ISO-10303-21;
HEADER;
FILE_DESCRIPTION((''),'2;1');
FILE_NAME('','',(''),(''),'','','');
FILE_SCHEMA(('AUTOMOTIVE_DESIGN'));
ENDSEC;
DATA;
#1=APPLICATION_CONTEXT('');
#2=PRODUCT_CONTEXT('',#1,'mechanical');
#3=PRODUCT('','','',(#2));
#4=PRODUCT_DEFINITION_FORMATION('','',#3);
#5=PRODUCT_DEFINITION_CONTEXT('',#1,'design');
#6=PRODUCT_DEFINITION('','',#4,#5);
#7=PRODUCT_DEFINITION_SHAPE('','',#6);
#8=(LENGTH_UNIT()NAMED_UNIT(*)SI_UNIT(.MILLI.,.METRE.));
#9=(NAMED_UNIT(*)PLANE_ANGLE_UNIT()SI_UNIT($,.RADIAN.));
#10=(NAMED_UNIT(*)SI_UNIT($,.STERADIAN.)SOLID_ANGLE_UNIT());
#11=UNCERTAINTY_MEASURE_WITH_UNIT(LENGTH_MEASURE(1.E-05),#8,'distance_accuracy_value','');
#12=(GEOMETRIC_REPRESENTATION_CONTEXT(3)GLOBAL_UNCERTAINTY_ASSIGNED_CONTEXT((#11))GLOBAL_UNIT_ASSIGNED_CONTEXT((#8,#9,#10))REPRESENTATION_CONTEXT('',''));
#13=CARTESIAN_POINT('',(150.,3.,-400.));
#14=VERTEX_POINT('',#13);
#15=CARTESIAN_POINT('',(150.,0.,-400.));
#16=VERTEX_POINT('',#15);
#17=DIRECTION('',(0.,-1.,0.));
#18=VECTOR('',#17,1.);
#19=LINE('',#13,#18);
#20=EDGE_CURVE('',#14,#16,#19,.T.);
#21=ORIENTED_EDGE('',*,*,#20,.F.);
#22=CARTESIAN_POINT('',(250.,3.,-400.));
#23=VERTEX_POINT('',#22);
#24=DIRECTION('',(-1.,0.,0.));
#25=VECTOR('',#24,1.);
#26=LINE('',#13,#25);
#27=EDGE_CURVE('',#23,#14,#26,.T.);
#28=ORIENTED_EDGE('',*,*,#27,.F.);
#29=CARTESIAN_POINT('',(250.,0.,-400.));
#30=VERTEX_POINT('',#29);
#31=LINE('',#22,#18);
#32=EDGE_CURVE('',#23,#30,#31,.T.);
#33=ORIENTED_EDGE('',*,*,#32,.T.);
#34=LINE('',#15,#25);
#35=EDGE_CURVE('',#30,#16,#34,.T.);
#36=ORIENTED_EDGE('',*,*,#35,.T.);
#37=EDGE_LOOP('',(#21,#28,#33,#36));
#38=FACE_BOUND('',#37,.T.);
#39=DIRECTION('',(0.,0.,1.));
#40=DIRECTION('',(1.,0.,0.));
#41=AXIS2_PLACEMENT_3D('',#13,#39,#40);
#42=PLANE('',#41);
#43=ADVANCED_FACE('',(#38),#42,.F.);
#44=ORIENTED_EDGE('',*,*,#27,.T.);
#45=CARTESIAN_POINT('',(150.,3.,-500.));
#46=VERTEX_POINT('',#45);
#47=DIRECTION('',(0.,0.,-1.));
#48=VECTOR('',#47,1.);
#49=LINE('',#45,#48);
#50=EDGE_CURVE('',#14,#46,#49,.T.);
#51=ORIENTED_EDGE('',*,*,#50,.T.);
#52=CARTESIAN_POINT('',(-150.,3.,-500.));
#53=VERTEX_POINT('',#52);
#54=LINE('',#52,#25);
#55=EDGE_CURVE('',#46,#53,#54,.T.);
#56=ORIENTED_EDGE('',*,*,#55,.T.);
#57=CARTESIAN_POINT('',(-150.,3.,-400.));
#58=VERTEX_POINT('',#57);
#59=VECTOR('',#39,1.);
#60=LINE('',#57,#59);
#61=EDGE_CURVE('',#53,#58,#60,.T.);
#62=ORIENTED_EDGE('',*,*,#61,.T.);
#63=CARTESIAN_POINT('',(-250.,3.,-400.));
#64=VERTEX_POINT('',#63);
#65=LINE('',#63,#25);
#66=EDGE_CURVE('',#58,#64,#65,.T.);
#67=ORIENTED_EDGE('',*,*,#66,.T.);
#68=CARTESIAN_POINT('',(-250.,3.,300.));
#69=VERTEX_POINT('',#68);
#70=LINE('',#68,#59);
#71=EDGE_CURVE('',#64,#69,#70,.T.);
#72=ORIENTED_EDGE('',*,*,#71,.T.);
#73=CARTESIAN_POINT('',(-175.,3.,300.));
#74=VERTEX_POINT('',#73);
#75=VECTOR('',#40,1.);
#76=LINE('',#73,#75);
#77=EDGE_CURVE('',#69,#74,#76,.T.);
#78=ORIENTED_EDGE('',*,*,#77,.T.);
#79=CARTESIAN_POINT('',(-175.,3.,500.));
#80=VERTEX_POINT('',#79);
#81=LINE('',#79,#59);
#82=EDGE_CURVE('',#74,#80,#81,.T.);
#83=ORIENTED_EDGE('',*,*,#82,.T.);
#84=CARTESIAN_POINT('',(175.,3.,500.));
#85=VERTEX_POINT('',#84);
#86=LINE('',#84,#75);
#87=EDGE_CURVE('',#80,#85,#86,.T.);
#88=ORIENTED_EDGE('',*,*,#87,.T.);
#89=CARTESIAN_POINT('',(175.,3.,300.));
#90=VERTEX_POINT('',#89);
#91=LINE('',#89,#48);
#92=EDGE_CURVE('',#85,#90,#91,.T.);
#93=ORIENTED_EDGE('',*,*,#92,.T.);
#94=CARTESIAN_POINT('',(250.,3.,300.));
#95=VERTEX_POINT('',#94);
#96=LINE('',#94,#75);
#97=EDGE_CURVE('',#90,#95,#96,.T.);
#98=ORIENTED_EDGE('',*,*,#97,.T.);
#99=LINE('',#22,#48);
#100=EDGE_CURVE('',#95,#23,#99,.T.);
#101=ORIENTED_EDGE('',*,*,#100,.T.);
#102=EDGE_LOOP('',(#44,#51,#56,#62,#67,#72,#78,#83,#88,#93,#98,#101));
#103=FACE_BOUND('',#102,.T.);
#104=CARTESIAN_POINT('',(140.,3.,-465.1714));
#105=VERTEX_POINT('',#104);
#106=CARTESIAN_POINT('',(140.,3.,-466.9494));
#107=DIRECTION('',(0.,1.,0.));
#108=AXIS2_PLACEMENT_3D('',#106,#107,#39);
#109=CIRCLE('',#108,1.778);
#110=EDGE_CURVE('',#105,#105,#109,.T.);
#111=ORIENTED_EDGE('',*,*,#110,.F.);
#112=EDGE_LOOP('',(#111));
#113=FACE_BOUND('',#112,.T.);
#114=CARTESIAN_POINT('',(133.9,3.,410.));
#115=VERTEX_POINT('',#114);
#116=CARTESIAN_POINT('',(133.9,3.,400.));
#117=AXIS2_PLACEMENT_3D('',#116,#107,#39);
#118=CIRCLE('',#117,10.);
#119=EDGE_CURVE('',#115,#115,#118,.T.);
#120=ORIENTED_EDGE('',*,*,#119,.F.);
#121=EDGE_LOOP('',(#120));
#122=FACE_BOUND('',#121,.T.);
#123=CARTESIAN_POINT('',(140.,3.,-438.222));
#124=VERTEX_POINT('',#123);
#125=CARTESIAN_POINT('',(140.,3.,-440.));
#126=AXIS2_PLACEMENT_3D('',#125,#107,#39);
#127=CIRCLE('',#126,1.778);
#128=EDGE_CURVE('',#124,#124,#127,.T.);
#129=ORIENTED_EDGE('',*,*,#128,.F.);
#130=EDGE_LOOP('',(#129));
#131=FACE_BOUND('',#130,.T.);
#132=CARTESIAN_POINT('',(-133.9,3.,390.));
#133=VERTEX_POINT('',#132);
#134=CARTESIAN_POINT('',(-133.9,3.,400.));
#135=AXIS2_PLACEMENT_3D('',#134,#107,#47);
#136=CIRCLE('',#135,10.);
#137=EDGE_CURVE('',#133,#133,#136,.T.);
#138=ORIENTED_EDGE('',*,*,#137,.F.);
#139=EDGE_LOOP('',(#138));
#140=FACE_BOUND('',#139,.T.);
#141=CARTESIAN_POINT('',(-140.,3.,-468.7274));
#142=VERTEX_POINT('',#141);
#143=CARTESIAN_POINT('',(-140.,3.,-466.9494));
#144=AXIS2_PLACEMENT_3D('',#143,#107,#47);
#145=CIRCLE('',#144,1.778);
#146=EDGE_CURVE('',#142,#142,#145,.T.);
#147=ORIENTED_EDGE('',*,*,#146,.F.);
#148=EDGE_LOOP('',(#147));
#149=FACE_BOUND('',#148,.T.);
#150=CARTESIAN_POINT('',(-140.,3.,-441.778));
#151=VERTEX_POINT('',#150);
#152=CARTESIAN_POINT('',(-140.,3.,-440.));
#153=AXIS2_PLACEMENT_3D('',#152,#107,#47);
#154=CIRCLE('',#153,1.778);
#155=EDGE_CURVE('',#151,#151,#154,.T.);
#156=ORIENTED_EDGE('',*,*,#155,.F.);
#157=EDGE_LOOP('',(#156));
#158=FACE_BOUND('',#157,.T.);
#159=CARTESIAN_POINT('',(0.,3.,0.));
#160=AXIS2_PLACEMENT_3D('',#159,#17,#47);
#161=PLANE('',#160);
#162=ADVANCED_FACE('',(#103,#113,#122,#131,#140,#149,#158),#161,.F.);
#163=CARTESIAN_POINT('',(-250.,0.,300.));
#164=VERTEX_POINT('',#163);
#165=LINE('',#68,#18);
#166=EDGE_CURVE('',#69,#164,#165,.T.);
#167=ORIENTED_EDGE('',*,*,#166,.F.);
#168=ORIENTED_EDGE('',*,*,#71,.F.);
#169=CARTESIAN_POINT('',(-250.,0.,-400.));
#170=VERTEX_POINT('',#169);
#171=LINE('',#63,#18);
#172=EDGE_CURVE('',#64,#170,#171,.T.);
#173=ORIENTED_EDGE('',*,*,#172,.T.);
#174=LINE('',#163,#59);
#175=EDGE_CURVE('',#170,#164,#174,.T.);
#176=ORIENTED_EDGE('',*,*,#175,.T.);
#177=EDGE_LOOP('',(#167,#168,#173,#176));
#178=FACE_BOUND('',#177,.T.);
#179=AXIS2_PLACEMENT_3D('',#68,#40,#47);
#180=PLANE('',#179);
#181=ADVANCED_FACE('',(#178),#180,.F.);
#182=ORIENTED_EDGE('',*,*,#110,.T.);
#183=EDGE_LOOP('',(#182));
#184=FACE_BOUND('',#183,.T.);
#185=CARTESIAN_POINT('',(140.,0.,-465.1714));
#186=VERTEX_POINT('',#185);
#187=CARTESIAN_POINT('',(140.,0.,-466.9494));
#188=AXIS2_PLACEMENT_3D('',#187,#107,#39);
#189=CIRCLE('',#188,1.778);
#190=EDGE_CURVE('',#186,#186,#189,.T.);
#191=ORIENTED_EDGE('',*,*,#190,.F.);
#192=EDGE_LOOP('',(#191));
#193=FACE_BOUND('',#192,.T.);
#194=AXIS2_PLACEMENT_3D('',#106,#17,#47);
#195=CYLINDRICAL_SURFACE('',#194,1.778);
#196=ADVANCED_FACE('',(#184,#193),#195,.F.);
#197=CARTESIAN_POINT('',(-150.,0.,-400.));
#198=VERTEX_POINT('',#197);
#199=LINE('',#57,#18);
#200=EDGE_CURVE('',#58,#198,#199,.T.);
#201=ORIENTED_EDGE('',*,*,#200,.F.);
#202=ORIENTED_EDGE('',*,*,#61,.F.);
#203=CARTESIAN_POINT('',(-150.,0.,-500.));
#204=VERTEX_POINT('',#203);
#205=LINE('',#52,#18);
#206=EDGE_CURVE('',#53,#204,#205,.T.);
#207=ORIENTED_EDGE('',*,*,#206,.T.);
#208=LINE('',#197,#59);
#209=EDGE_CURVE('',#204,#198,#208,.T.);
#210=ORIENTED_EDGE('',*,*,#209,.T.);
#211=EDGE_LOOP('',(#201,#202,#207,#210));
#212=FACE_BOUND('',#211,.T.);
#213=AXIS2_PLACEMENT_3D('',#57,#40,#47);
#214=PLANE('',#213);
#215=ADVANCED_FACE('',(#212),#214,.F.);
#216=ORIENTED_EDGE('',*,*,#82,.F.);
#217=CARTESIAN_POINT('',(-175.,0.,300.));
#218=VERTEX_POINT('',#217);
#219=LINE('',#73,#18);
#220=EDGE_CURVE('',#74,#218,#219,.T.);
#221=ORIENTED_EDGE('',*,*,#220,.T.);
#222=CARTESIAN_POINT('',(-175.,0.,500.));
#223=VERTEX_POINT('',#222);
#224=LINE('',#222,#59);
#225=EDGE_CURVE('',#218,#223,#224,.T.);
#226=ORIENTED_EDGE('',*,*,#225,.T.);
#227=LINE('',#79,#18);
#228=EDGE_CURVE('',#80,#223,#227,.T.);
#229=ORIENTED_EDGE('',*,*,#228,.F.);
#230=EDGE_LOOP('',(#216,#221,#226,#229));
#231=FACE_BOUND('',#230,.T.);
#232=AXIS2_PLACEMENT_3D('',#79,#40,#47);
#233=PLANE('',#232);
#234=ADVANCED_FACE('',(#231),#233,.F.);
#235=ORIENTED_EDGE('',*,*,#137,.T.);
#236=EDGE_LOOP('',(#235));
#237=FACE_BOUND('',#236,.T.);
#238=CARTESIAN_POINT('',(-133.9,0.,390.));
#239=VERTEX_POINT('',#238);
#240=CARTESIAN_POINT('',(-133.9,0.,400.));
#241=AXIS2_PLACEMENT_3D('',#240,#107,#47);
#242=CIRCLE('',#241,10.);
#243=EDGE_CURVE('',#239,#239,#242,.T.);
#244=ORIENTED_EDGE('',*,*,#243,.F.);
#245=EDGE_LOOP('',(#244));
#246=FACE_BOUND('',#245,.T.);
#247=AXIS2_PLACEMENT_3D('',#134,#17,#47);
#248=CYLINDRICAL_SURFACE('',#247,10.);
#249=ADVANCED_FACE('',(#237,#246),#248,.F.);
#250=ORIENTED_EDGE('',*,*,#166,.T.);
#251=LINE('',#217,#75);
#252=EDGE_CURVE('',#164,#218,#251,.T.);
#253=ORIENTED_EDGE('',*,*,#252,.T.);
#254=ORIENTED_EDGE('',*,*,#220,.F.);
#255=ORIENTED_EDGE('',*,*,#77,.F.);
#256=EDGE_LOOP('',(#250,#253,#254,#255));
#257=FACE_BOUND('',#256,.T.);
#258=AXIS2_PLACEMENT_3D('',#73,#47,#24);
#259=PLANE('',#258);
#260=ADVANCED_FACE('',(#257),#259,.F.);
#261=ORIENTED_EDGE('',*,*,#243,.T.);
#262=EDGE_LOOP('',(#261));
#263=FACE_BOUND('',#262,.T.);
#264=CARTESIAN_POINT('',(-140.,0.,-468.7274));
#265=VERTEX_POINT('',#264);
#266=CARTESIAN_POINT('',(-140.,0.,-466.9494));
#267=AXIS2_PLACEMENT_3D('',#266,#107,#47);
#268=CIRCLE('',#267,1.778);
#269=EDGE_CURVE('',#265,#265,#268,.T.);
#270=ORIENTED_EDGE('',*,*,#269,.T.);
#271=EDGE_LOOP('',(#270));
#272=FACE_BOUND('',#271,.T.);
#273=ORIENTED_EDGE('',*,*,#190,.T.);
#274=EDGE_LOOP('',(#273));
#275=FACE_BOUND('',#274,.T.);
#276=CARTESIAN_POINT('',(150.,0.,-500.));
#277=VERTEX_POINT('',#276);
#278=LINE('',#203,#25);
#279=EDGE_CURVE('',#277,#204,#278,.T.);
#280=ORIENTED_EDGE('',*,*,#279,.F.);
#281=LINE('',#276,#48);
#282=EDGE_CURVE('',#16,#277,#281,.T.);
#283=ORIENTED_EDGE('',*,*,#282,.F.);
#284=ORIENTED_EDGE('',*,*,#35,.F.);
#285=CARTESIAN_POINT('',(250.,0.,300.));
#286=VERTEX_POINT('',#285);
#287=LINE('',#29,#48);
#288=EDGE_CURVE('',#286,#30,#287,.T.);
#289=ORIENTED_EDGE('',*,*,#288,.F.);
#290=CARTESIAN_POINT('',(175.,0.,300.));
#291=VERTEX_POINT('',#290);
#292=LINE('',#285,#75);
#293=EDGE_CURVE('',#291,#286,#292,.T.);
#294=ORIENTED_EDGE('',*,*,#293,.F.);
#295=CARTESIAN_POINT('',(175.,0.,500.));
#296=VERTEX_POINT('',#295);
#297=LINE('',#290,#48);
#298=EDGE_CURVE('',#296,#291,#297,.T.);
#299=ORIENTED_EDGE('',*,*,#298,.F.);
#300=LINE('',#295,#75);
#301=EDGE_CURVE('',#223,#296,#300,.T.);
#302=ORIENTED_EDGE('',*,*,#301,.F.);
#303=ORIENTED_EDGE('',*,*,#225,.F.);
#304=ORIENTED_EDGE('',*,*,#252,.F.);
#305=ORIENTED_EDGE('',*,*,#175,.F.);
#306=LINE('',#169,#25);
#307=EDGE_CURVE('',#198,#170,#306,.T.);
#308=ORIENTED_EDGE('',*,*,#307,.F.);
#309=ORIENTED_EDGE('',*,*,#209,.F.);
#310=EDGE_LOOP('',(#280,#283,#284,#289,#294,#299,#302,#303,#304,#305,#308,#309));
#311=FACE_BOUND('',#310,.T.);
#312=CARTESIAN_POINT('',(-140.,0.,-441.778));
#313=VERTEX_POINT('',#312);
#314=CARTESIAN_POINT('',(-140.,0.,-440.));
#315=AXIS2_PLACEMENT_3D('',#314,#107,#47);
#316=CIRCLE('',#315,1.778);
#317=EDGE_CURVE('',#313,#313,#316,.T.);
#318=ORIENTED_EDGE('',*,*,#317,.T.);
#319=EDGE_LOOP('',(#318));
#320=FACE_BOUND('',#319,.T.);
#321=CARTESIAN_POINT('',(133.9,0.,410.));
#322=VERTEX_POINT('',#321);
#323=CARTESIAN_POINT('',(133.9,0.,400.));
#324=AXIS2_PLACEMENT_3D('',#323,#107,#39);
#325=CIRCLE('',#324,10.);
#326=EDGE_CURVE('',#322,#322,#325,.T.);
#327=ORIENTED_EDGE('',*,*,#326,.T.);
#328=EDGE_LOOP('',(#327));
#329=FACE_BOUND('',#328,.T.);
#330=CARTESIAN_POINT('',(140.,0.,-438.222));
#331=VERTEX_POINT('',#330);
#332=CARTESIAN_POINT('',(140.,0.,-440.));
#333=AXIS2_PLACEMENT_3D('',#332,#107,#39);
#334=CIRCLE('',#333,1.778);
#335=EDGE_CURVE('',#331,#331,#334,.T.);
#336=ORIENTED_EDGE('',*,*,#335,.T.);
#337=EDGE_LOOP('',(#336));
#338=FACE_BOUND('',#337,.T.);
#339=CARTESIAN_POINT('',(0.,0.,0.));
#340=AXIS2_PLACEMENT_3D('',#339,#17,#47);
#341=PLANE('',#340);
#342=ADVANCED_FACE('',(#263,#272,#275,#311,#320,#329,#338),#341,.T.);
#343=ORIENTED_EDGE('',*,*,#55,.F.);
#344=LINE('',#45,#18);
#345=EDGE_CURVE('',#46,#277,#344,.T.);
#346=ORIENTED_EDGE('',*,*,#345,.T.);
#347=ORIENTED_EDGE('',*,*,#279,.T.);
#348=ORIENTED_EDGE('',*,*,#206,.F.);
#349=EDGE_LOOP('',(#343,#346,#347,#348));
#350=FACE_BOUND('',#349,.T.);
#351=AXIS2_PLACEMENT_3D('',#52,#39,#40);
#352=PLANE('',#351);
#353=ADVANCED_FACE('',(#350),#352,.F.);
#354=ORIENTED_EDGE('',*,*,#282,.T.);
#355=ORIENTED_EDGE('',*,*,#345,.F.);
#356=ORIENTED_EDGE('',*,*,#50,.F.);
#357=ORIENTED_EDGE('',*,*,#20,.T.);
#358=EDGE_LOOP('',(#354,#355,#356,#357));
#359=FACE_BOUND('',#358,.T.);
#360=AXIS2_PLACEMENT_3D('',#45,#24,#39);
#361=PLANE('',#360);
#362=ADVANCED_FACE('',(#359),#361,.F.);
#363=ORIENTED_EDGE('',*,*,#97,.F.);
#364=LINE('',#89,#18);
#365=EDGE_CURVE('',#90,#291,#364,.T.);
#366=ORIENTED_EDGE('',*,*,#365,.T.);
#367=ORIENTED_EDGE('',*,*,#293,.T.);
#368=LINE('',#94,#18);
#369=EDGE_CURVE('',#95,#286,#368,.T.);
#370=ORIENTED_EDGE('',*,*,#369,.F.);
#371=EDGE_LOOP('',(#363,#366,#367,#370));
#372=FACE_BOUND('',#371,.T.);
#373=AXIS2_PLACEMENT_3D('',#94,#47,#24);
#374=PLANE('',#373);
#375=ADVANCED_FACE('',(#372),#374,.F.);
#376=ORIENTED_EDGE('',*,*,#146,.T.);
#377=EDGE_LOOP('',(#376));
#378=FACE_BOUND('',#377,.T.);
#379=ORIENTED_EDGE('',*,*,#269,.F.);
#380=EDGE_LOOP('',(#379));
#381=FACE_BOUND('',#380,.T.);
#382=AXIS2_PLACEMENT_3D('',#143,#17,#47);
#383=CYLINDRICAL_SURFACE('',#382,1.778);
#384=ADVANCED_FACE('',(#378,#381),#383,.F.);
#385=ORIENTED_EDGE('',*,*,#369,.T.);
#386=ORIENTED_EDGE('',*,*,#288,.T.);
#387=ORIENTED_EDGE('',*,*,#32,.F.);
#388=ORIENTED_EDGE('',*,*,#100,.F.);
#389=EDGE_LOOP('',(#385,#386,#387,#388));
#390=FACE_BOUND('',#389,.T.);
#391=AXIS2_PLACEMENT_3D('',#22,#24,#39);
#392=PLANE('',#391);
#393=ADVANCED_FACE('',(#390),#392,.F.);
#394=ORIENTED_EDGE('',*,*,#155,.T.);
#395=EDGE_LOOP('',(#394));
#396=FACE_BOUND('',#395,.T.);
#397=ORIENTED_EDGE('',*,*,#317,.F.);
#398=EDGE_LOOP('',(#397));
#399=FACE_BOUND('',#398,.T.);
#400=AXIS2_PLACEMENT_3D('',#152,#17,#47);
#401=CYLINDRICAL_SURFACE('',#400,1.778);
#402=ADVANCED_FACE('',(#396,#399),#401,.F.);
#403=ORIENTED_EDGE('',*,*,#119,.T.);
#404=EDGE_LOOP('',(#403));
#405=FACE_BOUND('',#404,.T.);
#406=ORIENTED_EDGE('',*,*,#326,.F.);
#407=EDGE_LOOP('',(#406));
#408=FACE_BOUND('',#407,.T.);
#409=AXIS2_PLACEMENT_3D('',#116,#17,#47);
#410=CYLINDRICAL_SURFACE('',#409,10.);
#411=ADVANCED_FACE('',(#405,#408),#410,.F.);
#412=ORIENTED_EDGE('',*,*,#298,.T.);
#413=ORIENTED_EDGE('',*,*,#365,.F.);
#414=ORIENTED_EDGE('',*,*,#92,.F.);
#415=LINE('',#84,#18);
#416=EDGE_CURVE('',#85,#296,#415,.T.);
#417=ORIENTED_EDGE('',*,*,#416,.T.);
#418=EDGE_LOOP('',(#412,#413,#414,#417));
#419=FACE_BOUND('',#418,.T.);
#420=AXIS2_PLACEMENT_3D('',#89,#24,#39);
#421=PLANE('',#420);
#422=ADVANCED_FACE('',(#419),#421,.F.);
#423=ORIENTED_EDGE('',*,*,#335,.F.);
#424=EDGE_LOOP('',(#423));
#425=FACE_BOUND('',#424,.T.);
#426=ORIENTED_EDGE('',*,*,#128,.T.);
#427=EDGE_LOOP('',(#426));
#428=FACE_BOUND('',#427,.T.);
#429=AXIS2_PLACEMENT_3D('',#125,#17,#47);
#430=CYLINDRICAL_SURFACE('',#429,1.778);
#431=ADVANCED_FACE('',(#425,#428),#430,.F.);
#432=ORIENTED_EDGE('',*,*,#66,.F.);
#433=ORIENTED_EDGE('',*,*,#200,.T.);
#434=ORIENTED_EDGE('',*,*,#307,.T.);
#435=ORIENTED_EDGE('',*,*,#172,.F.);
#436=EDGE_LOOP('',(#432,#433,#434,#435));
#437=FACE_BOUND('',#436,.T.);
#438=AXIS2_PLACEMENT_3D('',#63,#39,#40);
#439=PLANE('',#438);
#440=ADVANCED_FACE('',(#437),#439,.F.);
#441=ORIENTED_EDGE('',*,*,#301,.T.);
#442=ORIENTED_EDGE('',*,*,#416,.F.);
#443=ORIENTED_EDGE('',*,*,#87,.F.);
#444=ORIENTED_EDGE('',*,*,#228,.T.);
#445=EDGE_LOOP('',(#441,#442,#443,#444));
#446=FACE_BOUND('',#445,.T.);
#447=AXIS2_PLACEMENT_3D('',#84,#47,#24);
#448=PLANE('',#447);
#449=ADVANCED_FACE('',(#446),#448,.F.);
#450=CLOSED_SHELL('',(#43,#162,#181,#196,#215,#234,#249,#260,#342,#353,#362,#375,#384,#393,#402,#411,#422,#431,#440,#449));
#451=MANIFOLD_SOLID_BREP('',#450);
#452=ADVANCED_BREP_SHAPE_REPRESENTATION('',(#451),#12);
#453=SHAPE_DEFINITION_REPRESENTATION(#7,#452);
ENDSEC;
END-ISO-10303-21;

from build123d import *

# Parameters (mm, degrees)
SKETCH1_R           = 10
SKETCH1_R_2         = 1.778
BOSS_EXTRUDE1_DEPTH = 3


with BuildPart() as part:
    # Sketch1 → Boss-Extrude1 (new body)
    with BuildSketch(Plane(origin=(0, 0, 0), x_dir=(1, 0, 0), z_dir=(0, 1, 0))):
        Polygon((-250, -300), (-250, 400), (-150, 400), (-150, 500), (150, 500), (150, 400), (250, 400), (250, -300), (175, -300), (175, -500), (-175, -500), (-175, -300), align=None)
        with Locations(Location((133.9, -400, 0), (0, 0, 270))):
            Circle(SKETCH1_R, mode=Mode.SUBTRACT)
        with Locations(Location((-133.9, -400, 0), (0, 0, 90))):
            Circle(SKETCH1_R, mode=Mode.SUBTRACT)
        with Locations(Location((140, 466.9494, 0), (0, 0, 270))):
            Circle(SKETCH1_R_2, mode=Mode.SUBTRACT)
        with Locations(Location((140, 440, 0), (0, 0, 270))):
            Circle(SKETCH1_R_2, mode=Mode.SUBTRACT)
        with Locations(Location((-140, 466.9494, 0), (0, 0, 90))):
            Circle(SKETCH1_R_2, mode=Mode.SUBTRACT)
        with Locations(Location((-140, 440, 0), (0, 0, 90))):
            Circle(SKETCH1_R_2, mode=Mode.SUBTRACT)
    extrude(amount=BOSS_EXTRUDE1_DEPTH)


solid = part.part
